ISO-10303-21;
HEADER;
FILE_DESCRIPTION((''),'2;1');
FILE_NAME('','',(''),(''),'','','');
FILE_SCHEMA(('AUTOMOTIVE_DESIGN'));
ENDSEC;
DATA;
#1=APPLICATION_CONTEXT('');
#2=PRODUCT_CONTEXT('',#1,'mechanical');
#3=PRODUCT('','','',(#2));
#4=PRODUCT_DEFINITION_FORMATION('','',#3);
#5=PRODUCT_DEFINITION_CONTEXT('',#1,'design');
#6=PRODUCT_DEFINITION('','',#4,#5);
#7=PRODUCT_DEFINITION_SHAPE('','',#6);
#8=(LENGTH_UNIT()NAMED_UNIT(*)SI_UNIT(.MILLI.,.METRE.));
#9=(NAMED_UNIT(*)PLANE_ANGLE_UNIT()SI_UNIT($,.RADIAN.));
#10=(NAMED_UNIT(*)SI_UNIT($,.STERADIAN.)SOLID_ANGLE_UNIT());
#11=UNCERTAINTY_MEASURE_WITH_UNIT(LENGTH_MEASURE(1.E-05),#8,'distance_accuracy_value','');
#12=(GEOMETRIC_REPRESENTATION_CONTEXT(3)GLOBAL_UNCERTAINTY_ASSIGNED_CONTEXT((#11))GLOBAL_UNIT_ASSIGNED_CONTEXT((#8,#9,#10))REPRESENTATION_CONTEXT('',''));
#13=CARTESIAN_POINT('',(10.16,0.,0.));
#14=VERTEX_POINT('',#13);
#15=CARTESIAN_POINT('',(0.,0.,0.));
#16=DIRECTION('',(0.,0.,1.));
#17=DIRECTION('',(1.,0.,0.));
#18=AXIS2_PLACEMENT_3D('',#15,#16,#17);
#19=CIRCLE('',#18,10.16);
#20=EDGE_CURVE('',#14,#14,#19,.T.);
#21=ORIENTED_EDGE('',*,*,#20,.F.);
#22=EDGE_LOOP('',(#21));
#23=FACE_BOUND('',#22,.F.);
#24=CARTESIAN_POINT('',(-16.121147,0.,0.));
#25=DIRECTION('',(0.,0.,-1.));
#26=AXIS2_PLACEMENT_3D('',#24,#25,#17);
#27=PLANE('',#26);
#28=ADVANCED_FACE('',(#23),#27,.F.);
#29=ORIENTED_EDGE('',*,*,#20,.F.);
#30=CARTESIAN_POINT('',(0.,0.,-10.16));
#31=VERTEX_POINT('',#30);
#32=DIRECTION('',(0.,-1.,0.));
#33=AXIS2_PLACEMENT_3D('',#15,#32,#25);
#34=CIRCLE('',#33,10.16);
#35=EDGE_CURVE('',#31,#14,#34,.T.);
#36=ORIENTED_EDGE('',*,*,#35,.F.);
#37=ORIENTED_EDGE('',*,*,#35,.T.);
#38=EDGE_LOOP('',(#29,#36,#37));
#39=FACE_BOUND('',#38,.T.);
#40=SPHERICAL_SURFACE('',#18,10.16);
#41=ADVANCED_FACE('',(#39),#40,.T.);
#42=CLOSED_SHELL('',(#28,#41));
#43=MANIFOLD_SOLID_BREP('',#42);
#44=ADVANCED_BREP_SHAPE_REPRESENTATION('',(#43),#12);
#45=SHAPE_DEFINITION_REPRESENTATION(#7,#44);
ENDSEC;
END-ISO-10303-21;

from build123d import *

# Parameters (mm, degrees)
F2_W     = 33.739738
F2_H     = 14.980557
F3_DEPTH = 12.7


with BuildPart() as f1:
    # F0 (on Front) → F1 (revolve)
    with BuildSketch(Plane.XZ):
        with BuildLine():
            Line((0, 10.16), (0, -10.16))
            ThreePointArc((0, -10.16), (10.16, 0), (0, 10.16))
        make_face()
    revolve(axis=Axis((0, 0, 0), (0, 0, 1)))

    # F2 (on Front) → F3 (cut, symmetric)
    with BuildSketch(Plane.XZ):
        with Locations((0.748722, 7.490278)):
            Rectangle(F2_W, F2_H)
    extrude(amount=F3_DEPTH, both=True, mode=Mode.SUBTRACT)


solid = f1.part
